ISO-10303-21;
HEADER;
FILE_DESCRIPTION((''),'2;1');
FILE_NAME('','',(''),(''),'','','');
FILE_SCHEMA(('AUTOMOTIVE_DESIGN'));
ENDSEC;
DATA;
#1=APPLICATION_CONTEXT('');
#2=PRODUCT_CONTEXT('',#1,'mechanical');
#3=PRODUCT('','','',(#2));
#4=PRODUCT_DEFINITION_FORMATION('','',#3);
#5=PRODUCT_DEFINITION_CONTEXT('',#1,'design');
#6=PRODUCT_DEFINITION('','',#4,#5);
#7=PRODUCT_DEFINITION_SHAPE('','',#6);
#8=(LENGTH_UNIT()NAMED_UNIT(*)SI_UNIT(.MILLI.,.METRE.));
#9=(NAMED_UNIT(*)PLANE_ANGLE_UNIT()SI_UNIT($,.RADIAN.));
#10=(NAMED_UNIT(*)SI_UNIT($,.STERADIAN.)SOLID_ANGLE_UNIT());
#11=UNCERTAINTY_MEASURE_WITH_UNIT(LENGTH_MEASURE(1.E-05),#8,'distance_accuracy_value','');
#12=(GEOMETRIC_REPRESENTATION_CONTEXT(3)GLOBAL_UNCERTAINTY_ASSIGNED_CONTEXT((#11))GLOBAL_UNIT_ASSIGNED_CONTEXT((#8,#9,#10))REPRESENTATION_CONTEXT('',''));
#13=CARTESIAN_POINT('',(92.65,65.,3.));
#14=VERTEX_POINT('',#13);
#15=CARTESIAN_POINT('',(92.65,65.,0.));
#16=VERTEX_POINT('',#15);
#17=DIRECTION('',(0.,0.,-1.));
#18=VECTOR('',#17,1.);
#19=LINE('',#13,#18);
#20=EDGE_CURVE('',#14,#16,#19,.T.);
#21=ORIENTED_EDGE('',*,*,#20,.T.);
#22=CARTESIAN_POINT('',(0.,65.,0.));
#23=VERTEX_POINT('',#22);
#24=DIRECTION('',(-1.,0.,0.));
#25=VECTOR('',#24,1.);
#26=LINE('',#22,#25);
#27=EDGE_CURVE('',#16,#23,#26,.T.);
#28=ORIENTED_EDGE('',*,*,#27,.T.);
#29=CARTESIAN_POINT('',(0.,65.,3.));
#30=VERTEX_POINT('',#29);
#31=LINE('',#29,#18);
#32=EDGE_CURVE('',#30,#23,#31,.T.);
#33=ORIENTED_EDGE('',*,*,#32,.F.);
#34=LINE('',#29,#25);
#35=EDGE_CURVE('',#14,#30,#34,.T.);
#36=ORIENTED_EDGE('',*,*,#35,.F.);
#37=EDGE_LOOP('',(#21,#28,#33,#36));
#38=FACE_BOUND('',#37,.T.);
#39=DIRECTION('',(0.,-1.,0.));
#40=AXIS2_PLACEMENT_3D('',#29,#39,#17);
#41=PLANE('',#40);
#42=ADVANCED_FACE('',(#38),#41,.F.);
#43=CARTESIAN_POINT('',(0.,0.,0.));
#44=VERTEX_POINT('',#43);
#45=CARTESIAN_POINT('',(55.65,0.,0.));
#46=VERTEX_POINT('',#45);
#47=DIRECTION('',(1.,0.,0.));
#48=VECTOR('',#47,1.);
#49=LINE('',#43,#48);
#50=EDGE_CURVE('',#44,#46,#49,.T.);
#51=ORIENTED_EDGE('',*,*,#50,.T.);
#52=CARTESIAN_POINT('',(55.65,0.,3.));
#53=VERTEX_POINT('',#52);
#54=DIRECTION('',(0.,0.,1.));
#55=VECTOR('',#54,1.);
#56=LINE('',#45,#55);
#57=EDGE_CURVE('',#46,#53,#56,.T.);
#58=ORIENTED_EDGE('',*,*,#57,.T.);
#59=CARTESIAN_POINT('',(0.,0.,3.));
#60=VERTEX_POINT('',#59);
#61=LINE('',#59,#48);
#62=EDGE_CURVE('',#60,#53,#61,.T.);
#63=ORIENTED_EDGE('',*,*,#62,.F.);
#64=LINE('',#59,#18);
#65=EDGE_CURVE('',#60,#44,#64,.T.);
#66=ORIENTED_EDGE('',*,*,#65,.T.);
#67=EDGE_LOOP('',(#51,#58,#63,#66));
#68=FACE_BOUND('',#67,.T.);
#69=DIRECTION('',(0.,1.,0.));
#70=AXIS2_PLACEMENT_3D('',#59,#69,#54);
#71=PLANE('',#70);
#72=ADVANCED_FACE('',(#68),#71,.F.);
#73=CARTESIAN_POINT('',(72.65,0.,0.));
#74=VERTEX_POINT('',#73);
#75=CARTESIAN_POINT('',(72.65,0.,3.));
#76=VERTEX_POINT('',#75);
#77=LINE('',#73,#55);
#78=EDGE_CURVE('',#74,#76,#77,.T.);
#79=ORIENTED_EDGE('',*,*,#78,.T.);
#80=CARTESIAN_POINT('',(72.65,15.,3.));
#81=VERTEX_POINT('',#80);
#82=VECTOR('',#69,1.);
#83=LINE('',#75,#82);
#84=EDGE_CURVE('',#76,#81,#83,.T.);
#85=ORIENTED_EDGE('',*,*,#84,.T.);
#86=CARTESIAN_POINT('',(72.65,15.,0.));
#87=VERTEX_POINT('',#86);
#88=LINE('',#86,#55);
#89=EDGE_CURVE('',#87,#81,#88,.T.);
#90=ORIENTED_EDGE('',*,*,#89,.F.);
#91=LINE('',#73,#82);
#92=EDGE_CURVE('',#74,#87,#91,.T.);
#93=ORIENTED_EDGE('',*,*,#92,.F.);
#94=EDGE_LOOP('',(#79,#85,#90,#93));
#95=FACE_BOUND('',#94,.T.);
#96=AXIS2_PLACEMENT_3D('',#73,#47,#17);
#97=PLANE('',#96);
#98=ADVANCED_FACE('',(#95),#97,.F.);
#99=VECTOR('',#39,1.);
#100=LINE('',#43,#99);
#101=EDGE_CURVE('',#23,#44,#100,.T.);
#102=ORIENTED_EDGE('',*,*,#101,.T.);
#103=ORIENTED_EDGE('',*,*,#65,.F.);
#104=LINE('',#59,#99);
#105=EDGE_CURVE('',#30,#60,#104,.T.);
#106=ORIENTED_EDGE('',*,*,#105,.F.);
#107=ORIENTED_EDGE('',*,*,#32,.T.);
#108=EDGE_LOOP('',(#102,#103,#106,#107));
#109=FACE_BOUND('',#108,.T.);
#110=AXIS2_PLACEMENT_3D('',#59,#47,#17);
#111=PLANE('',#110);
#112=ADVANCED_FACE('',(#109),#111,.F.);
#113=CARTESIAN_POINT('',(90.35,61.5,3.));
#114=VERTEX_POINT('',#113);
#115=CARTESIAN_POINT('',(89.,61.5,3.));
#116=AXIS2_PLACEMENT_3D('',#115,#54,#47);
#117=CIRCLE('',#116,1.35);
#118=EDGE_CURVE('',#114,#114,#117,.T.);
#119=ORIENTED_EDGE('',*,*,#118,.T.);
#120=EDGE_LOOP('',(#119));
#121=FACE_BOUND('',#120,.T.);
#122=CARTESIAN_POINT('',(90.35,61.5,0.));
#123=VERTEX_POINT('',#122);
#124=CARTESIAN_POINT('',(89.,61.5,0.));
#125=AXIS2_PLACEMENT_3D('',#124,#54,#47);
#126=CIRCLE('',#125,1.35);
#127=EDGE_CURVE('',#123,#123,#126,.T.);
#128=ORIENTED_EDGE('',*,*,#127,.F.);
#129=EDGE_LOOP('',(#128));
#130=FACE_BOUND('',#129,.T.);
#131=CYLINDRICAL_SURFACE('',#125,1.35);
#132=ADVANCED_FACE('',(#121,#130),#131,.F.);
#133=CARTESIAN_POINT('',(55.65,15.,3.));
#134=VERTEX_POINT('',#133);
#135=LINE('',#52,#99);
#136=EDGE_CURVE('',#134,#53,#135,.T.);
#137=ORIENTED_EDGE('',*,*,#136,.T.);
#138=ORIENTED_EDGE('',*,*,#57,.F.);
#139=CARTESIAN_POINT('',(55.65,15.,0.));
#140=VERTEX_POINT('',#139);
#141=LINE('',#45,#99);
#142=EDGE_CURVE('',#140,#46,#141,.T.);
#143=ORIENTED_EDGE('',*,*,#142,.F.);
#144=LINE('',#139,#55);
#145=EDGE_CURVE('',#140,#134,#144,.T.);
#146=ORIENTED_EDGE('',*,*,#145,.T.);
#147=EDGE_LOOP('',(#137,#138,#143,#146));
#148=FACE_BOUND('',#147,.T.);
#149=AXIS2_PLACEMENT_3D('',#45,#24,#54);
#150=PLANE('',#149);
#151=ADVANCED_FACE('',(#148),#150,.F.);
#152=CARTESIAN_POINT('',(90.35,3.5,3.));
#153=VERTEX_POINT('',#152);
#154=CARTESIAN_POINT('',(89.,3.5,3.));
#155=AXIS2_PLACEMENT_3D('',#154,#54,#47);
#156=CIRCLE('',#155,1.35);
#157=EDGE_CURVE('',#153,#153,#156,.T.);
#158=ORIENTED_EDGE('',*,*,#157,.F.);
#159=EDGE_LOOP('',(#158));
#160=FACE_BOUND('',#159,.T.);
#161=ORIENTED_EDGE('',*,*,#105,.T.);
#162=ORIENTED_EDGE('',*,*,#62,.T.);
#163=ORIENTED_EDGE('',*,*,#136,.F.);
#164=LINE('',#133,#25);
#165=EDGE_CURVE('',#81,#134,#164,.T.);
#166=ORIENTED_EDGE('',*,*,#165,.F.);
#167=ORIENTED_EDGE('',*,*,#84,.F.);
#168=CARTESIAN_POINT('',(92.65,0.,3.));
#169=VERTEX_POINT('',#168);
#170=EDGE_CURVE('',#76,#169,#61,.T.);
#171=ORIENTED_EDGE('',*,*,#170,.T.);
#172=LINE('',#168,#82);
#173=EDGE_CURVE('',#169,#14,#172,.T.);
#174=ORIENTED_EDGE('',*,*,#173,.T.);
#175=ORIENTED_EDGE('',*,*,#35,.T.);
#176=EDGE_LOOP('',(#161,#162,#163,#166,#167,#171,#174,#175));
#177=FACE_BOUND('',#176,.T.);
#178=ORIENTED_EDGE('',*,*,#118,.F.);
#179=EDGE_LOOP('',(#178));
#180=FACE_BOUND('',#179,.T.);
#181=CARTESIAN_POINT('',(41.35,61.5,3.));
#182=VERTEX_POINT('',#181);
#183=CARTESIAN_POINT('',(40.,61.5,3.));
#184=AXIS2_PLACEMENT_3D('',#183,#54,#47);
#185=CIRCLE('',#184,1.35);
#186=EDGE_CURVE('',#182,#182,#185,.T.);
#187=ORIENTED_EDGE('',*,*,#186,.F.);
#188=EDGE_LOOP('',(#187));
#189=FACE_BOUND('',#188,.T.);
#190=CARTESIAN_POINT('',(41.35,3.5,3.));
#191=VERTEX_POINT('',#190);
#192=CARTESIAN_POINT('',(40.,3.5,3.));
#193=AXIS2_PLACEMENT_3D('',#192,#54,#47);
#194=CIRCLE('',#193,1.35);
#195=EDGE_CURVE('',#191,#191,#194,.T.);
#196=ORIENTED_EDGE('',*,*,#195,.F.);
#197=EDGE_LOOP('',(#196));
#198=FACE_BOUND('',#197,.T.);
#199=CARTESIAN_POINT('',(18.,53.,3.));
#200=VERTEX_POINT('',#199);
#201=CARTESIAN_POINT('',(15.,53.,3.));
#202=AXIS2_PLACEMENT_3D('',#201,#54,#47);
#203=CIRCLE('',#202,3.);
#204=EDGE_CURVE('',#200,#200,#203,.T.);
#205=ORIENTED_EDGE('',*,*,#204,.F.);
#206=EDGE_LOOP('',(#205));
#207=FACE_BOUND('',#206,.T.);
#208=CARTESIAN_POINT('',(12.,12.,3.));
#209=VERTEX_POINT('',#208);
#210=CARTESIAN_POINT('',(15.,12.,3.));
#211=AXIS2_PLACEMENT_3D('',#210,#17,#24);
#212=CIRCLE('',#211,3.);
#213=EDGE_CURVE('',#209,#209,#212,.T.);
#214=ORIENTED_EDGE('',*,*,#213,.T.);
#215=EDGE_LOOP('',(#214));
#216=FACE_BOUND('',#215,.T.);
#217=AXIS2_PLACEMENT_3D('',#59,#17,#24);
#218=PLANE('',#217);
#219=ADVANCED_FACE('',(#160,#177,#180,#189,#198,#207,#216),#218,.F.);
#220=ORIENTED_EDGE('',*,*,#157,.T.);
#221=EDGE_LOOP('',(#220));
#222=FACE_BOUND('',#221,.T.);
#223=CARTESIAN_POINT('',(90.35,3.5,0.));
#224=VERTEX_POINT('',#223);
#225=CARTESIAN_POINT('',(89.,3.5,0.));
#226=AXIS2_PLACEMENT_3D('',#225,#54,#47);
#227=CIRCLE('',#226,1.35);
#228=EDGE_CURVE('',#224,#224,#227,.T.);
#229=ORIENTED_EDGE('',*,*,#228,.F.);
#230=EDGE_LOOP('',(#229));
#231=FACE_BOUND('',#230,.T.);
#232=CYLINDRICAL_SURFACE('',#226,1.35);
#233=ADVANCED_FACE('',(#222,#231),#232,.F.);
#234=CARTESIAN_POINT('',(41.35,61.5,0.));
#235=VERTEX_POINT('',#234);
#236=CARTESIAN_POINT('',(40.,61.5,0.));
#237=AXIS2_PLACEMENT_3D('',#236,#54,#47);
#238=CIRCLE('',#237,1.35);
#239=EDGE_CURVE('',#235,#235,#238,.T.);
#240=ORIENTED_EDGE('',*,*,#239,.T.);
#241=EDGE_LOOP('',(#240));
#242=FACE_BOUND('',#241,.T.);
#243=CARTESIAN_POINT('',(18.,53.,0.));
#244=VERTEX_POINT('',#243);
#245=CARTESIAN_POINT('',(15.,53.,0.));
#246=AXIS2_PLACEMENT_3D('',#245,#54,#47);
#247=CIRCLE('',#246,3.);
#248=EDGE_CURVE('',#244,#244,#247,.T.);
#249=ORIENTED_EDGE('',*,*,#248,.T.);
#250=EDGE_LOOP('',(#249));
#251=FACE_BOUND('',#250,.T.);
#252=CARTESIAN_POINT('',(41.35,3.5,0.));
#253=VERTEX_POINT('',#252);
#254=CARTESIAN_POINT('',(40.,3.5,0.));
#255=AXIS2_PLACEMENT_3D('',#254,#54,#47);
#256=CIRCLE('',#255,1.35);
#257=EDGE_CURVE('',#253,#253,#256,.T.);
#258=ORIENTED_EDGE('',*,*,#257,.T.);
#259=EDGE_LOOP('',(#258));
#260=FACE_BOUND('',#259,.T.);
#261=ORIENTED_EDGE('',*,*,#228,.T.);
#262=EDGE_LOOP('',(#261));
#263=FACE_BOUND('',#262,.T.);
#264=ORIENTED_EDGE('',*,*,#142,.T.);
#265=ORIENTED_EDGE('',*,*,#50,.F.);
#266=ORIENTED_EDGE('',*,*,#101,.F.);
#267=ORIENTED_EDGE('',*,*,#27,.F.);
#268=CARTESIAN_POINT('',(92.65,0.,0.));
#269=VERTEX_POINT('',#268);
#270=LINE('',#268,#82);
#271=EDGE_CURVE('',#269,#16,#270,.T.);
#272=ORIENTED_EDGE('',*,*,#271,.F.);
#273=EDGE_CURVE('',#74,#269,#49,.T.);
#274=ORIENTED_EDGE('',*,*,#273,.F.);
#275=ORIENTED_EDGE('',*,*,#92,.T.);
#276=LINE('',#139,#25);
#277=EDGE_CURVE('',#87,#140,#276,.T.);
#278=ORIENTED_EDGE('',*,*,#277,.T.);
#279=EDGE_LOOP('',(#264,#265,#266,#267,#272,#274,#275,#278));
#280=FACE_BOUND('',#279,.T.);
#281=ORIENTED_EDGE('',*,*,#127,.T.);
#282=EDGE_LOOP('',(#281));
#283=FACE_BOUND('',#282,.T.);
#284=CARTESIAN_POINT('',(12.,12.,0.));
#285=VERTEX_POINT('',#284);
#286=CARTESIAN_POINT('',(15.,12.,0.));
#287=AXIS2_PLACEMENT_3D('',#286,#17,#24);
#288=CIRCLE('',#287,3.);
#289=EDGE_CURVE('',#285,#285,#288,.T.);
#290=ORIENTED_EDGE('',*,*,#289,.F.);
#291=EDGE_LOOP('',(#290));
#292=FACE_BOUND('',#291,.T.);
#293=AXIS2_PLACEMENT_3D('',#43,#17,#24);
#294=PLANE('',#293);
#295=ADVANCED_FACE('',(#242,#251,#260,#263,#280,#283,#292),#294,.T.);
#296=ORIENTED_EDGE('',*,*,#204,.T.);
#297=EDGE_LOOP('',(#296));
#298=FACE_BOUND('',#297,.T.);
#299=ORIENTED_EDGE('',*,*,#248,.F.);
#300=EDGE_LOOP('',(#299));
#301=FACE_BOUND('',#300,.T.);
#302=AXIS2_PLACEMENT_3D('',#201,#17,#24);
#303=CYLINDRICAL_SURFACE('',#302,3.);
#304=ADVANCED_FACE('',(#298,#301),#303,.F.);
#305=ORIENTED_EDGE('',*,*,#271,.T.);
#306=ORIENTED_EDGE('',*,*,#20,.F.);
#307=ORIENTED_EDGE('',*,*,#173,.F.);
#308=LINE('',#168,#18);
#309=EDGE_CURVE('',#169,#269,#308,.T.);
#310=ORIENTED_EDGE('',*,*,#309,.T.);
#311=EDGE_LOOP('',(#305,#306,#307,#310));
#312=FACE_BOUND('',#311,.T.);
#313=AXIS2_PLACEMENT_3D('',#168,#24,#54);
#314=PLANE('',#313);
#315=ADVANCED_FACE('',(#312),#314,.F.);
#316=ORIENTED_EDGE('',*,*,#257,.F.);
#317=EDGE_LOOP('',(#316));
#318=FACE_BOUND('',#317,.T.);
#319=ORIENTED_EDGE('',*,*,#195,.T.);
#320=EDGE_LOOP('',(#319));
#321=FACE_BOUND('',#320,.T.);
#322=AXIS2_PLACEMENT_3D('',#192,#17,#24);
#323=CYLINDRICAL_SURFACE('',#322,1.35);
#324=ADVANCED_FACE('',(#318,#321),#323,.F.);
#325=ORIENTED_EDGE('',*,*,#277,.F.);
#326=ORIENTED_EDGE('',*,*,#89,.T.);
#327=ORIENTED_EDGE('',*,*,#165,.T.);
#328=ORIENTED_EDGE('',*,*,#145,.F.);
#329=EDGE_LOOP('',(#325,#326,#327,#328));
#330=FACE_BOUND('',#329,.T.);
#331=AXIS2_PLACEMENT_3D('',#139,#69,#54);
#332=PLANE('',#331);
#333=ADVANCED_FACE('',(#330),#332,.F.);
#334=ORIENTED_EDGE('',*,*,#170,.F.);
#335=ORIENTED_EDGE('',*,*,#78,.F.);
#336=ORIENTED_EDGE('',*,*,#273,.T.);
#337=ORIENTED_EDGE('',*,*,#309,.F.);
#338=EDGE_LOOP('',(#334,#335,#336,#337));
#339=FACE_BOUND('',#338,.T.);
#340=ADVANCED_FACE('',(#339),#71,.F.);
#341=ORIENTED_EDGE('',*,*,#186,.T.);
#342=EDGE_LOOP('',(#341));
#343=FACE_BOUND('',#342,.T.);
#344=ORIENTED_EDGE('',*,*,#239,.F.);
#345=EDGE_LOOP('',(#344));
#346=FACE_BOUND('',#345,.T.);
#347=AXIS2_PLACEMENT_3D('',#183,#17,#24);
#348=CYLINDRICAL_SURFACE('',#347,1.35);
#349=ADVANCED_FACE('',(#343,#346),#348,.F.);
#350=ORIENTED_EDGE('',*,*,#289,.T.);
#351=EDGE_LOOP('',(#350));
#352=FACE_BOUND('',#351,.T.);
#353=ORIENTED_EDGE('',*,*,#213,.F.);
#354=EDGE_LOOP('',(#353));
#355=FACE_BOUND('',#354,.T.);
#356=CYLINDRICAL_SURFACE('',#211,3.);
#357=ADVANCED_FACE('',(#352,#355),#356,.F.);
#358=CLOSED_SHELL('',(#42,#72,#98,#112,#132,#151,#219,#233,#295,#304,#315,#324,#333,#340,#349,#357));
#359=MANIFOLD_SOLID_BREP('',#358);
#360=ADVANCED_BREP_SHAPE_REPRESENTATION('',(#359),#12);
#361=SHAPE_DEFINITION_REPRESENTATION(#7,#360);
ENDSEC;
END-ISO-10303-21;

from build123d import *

# Parameters (mm, degrees)
SKETCH1_W           = 92.65
SKETCH1_H           = 65
SKETCH1_R           = 3
SKETCH1_R_2         = 1.35
BOSS_EXTRUDE1_DEPTH = 3
SKETCH2_R           = 1.35
CUT_EXTRUDE1_DEPTH  = 4
SKETCH3_W           = 17
SKETCH3_H           = 15
CUT_EXTRUDE2_DEPTH  = 4
SKETCH4_R           = 3
CUT_EXTRUDE3_DEPTH  = 4


with BuildPart() as part:
    # Sketch1 → Boss-Extrude1 (new body)
    with BuildSketch(Plane.XY):
        with Locations((46.325, 32.5)):
            Rectangle(SKETCH1_W, SKETCH1_H)
        with Locations((15, 53)):
            Circle(SKETCH1_R, mode=Mode.SUBTRACT)
        with Locations((40, 61.5)):
            Circle(SKETCH1_R_2, mode=Mode.SUBTRACT)
        with Locations((40, 3.5)):
            Circle(SKETCH1_R_2, mode=Mode.SUBTRACT)
    extrude(amount=BOSS_EXTRUDE1_DEPTH)

    # Sketch2 → Cut-Extrude1 (cut, through all)
    with BuildSketch(Plane.XY.offset(3)):
        with Locations((89, 61.5)):
            Circle(SKETCH2_R)
        with Locations((89, 3.5)):
            Circle(SKETCH2_R)
    extrude(amount=-CUT_EXTRUDE1_DEPTH, mode=Mode.SUBTRACT)

    # Sketch3 → Cut-Extrude2 (cut, through all)
    with BuildSketch(Plane.XY.offset(3)):
        with Locations((64.15, 7.5)):
            Rectangle(SKETCH3_W, SKETCH3_H)
    extrude(amount=-CUT_EXTRUDE2_DEPTH, mode=Mode.SUBTRACT)

    # Sketch4 → Cut-Extrude3 (cut, through all)
    with BuildSketch(Plane(origin=(0, 0, 0), x_dir=(-1, 0, 0), z_dir=(0, 0, -1))):
        with Locations((-15, 12)):
            Circle(SKETCH4_R)
    extrude(amount=-CUT_EXTRUDE3_DEPTH, mode=Mode.SUBTRACT)


solid = part.part
